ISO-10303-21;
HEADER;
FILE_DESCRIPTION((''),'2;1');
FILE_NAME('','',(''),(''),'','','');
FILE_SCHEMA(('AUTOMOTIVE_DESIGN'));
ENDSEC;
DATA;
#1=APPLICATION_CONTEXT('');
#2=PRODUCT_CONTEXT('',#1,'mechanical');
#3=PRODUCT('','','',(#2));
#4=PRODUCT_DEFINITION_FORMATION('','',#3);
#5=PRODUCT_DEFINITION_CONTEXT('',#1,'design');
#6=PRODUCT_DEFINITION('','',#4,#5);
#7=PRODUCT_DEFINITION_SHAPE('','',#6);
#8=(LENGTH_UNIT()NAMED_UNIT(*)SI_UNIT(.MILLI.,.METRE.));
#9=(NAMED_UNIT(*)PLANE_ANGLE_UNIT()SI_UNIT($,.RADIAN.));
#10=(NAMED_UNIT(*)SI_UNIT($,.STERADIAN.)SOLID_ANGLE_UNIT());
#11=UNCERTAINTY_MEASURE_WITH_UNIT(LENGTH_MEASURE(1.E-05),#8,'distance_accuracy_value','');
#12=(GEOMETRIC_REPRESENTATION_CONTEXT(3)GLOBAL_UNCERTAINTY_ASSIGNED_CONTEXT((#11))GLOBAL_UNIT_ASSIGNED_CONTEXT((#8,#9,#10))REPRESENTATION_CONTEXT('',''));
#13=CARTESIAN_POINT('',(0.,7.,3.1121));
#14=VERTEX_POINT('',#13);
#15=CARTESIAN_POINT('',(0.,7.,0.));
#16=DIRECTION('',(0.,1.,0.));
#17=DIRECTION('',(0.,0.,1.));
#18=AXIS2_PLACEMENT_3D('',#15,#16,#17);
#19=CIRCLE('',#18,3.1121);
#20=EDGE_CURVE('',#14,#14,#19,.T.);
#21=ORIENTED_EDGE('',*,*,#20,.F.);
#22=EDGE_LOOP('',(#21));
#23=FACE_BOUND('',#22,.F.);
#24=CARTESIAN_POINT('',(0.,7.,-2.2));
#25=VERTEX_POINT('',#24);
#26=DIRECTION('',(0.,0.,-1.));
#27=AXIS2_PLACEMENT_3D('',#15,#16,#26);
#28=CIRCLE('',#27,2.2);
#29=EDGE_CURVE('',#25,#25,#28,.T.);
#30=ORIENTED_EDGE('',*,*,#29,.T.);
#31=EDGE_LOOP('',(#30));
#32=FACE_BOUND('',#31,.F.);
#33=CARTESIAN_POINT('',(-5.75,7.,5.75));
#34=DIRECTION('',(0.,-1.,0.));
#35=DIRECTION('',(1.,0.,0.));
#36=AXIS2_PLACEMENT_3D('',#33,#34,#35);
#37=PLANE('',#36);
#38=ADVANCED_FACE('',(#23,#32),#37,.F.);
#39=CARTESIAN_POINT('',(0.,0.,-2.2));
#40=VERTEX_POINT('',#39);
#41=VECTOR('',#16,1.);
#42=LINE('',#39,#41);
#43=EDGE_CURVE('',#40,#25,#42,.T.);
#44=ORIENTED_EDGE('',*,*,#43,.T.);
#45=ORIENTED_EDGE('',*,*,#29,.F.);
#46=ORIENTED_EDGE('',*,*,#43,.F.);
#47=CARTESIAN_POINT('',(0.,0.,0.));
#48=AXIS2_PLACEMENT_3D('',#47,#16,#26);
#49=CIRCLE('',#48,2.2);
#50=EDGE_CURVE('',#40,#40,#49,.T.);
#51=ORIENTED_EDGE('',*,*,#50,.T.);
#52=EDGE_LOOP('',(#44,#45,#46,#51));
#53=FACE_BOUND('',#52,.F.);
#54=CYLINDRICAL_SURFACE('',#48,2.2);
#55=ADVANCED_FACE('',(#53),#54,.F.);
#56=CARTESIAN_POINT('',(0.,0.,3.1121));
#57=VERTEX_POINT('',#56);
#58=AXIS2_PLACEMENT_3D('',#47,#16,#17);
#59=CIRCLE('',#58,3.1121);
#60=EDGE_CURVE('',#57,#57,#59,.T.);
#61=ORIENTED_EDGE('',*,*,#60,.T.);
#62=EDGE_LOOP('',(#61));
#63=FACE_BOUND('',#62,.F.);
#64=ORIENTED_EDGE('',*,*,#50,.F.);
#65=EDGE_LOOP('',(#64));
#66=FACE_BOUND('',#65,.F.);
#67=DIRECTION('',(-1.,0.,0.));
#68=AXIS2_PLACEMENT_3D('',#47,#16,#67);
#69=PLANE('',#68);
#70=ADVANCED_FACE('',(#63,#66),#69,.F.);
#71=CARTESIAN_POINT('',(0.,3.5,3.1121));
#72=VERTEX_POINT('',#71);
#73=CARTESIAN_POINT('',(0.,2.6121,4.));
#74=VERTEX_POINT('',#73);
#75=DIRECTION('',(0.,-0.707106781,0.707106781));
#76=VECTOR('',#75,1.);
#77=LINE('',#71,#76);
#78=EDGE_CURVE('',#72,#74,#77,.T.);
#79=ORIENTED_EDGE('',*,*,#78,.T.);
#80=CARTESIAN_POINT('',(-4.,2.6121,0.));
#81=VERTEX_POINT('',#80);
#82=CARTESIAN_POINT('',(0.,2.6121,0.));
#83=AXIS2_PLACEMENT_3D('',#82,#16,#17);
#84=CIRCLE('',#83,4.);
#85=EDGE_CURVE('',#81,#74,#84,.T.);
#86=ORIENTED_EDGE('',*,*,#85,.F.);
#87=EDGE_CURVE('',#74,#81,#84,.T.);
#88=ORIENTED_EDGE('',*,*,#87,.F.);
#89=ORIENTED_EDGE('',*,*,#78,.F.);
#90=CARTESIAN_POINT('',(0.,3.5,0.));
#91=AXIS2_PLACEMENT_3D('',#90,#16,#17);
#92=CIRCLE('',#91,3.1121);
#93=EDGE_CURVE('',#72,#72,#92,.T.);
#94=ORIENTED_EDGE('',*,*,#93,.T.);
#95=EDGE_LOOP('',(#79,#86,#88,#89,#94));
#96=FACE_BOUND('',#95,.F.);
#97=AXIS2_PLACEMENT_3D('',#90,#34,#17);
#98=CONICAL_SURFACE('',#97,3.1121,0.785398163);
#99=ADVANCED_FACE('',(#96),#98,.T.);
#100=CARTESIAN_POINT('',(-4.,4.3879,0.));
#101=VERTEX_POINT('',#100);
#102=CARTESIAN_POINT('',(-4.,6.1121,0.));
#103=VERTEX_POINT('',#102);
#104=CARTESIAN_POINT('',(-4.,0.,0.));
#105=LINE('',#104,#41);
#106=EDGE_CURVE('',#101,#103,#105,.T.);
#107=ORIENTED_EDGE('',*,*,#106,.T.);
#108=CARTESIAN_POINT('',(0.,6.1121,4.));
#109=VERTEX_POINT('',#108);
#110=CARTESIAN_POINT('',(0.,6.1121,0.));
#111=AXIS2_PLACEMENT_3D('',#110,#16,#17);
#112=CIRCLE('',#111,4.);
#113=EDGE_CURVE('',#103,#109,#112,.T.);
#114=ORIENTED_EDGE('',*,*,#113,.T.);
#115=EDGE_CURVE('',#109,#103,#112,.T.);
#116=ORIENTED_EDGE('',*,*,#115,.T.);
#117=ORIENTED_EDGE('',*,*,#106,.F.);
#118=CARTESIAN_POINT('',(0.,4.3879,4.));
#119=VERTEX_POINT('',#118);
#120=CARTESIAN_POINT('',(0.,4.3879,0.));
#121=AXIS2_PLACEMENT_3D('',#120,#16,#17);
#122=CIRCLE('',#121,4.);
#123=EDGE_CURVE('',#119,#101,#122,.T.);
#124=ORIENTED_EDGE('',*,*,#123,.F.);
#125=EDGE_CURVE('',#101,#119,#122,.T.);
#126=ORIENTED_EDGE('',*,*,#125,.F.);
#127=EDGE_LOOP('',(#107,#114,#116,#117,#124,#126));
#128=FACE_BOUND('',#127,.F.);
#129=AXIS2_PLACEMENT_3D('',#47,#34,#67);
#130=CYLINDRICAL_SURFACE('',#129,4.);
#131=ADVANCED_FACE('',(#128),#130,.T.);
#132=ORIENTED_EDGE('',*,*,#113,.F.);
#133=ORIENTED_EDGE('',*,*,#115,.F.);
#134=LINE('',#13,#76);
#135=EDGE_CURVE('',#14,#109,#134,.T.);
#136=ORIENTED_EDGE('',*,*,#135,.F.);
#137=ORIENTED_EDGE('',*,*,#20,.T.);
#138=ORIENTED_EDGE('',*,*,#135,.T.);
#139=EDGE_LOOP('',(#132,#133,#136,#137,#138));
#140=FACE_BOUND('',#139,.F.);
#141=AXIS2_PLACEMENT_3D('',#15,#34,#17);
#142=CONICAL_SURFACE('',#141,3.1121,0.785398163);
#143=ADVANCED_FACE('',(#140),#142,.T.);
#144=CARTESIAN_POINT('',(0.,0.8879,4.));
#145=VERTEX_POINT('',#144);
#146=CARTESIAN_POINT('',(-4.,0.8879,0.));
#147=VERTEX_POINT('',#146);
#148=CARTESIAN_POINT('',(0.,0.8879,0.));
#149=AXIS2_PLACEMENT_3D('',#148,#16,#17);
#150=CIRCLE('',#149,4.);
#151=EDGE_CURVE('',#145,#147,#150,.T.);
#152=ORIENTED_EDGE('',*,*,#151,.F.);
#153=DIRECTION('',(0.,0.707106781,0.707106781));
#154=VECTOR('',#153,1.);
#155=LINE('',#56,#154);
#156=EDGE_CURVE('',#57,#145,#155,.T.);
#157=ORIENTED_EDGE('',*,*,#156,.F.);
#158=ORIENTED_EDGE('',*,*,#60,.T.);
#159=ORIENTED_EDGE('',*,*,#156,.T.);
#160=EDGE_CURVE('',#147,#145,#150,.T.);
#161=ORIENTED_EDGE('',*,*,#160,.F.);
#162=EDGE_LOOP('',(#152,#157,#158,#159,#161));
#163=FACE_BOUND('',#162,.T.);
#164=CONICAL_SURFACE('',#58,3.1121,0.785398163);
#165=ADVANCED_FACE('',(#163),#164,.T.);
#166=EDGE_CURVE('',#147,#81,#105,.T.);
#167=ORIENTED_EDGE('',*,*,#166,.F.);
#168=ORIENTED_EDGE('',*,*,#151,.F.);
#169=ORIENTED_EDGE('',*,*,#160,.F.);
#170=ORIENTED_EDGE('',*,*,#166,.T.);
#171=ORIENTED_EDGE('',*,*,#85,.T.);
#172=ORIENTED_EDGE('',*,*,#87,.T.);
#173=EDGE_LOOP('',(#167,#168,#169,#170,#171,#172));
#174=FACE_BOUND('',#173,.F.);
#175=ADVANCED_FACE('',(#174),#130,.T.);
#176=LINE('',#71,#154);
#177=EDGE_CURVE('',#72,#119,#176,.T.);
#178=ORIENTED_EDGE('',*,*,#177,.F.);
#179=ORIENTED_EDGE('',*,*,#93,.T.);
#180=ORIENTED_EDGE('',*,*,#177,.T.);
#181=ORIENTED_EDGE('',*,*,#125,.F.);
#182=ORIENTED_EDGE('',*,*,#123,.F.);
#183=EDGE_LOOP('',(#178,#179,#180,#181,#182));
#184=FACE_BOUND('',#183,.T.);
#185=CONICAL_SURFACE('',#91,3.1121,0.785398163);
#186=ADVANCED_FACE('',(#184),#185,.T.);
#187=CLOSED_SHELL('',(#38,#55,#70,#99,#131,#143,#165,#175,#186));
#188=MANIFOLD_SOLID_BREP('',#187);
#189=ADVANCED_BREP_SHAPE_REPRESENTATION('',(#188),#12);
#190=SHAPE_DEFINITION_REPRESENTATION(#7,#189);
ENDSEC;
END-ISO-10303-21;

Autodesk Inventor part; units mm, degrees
ref_plane "YZ Plane" through (0, 0, 0) normal (1, 0, 0) x (0, 1, 0)
ref_plane "XZ Plane" through (0, 0, 0) normal (0, 1, 0) x (-1, 0, 0)
sketch "Sketch1" plane through (0, 0, 0) normal (0, 1, 0) x (-1, 0, 0)
  circle A0 centre (0, 0) radius 4
  dimension "d0" = 8
extrude "Extrusion1" add sketch "Sketch1" along normal blind 7
sketch "Sketch2" plane through (0, 7, 0) normal (0, 1, 0) x (1, 0, 0)
  circle A0 centre (0, 0) radius 5.75
  dimension "d3" = 11.5
extrude "Extrusion2" add sketch "Sketch2" along normal blind 3.2
sketch "Sketch4" plane through (0, 0, 0) normal (1, 0, 0) x (0, 1, 0)
  line L0 (20.4, 3.1121) -> (19.5121, 4)
  line L1 (19.5121, 4) -> (17.7879, 4)
  line L2 (16.9, 3.1121) -> (17.7879, 4)
  line L3 (13.4, 3.1121) -> (14.2879, 4)
  line L4 (14.2879, 4) -> (16.0121, 4)
  line L5 (16.9, 3.1121) -> (16.0121, 4)
  line L6 (13.4, 3.1121) -> (13.4, 6.6121)
  line L7 (13.4, 8.5445) -> (20.4, 8.5445)
  line L8 (20.4, 8.5445) -> (20.4, 3.1121)
  line L9 (0, 3.1121) -> (0.8879, 4)
  line L10 (0.8879, 4) -> (2.6121, 4)
  line L11 (3.5, 3.1121) -> (2.6121, 4)
  line L12 (3.5, 3.1121) -> (4.3879, 4)
  line L13 (6.1121, 4) -> (4.3879, 4)
  line L14 (7, 3.1121) -> (6.1121, 4)
  line L15 (7, 3.1121) -> (7, 6.6121)
  line L16 (7, 8.5445) -> (0, 8.5445)
  line L17 (0, 8.5445) -> (0, 3.1121)
  line L18 (13.4, 6.6121) -> (7, 6.6121)
  line L19 (13.4, 8.5445) -> (7, 8.5445)
  line L20 (-4.08, 0) -> (24.48, 0) projected
  point P0 (0, 0)
revolve "Revolution1" cut sketch "Sketch4" angle 360 about axis through (0, -10, 0) along (0, 1, 0)
hole "Hole2" at (0, 0, 0) direction (0, 1, 0) diameter 4.4 end through all
ref_plane "Work Plane1" through (0, 7, 5.75) normal (0, 0, 1) x (1, 0, 0)
sketch "Sketch5" plane through (0, 7, 5.75) normal (0, 0, 1) x (1, 0, 0)
  line L0 (5.75, 3.2) -> (-5.75, 3.2) projected
  line L1 (-5.75, 0) -> (5.75, 0) projected
  line L2 (-5.75, 0) -> (-5.75, 3.2)
  line L3 (5.75, 3.2) -> (5.75, 0)
  point P0 (0, -7)
extrude "Extrusion4" cut sketch "Sketch5" against normal through all
properties part number "M4-608 Straight Spacer"
